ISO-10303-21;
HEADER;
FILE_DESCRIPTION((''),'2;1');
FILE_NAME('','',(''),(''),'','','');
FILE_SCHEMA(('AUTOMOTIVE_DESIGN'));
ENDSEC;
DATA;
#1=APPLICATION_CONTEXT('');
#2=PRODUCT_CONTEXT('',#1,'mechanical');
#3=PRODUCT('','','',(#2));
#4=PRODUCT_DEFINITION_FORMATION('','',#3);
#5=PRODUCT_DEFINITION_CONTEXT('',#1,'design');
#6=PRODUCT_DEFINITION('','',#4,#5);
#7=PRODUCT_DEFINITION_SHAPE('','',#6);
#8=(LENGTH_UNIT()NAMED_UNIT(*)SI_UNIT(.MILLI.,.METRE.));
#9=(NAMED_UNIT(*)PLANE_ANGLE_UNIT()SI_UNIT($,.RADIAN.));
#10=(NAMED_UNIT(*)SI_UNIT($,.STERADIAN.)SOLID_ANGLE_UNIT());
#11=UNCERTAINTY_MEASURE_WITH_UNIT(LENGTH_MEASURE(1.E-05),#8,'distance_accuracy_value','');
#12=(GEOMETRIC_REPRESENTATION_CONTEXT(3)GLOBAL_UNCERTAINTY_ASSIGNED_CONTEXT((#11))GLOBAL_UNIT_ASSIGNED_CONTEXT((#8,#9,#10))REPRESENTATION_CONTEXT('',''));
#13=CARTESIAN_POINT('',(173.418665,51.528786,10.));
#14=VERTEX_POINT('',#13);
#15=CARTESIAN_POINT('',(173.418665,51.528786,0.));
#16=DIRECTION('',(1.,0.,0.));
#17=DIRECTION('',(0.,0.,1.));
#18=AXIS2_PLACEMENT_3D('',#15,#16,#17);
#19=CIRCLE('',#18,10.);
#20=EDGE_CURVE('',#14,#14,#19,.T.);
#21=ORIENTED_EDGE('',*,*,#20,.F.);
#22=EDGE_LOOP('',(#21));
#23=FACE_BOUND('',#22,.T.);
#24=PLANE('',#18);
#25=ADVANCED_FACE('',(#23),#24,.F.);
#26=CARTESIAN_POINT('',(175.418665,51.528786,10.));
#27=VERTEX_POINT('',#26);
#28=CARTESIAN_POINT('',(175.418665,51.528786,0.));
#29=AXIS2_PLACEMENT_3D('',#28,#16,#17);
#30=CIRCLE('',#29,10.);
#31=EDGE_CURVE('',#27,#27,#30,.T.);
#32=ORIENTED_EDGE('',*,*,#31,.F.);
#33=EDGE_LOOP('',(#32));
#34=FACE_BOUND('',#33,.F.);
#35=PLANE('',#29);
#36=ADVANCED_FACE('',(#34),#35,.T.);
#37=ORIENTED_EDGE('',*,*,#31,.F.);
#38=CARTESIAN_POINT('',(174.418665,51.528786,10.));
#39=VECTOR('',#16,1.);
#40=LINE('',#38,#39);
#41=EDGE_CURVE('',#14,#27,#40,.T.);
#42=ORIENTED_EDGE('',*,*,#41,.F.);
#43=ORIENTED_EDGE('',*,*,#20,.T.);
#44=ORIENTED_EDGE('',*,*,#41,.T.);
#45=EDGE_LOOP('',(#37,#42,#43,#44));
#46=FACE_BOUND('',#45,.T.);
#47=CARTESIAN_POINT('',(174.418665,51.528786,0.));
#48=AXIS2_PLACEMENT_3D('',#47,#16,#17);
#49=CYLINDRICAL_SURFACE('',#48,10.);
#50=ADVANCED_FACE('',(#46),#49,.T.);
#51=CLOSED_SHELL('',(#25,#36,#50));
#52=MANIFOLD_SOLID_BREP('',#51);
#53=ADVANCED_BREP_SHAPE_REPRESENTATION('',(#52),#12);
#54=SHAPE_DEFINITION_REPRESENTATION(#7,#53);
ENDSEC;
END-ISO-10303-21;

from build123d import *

# Parameters (mm, degrees)
SKETCH_1_W = 2
SKETCH_1_H = 10


with BuildPart() as part:
    # 草图1 → 旋转1 (revolve)
    with BuildSketch(Plane.XY, mode=Mode.PRIVATE) as revolve_1_sk:
        with Locations((174.418664707, 56.528786233)):
            Rectangle(SKETCH_1_W, SKETCH_1_H)
    revolve(revolve_1_sk.sketch.rotate(Axis((169.333867995, 51.528786233, 0), (1, 0, 0)), 90), axis=Axis((169.333867995, 51.528786233, 0), (1, 0, 0)))  # turned: the seam where the file's is


solid = part.part
